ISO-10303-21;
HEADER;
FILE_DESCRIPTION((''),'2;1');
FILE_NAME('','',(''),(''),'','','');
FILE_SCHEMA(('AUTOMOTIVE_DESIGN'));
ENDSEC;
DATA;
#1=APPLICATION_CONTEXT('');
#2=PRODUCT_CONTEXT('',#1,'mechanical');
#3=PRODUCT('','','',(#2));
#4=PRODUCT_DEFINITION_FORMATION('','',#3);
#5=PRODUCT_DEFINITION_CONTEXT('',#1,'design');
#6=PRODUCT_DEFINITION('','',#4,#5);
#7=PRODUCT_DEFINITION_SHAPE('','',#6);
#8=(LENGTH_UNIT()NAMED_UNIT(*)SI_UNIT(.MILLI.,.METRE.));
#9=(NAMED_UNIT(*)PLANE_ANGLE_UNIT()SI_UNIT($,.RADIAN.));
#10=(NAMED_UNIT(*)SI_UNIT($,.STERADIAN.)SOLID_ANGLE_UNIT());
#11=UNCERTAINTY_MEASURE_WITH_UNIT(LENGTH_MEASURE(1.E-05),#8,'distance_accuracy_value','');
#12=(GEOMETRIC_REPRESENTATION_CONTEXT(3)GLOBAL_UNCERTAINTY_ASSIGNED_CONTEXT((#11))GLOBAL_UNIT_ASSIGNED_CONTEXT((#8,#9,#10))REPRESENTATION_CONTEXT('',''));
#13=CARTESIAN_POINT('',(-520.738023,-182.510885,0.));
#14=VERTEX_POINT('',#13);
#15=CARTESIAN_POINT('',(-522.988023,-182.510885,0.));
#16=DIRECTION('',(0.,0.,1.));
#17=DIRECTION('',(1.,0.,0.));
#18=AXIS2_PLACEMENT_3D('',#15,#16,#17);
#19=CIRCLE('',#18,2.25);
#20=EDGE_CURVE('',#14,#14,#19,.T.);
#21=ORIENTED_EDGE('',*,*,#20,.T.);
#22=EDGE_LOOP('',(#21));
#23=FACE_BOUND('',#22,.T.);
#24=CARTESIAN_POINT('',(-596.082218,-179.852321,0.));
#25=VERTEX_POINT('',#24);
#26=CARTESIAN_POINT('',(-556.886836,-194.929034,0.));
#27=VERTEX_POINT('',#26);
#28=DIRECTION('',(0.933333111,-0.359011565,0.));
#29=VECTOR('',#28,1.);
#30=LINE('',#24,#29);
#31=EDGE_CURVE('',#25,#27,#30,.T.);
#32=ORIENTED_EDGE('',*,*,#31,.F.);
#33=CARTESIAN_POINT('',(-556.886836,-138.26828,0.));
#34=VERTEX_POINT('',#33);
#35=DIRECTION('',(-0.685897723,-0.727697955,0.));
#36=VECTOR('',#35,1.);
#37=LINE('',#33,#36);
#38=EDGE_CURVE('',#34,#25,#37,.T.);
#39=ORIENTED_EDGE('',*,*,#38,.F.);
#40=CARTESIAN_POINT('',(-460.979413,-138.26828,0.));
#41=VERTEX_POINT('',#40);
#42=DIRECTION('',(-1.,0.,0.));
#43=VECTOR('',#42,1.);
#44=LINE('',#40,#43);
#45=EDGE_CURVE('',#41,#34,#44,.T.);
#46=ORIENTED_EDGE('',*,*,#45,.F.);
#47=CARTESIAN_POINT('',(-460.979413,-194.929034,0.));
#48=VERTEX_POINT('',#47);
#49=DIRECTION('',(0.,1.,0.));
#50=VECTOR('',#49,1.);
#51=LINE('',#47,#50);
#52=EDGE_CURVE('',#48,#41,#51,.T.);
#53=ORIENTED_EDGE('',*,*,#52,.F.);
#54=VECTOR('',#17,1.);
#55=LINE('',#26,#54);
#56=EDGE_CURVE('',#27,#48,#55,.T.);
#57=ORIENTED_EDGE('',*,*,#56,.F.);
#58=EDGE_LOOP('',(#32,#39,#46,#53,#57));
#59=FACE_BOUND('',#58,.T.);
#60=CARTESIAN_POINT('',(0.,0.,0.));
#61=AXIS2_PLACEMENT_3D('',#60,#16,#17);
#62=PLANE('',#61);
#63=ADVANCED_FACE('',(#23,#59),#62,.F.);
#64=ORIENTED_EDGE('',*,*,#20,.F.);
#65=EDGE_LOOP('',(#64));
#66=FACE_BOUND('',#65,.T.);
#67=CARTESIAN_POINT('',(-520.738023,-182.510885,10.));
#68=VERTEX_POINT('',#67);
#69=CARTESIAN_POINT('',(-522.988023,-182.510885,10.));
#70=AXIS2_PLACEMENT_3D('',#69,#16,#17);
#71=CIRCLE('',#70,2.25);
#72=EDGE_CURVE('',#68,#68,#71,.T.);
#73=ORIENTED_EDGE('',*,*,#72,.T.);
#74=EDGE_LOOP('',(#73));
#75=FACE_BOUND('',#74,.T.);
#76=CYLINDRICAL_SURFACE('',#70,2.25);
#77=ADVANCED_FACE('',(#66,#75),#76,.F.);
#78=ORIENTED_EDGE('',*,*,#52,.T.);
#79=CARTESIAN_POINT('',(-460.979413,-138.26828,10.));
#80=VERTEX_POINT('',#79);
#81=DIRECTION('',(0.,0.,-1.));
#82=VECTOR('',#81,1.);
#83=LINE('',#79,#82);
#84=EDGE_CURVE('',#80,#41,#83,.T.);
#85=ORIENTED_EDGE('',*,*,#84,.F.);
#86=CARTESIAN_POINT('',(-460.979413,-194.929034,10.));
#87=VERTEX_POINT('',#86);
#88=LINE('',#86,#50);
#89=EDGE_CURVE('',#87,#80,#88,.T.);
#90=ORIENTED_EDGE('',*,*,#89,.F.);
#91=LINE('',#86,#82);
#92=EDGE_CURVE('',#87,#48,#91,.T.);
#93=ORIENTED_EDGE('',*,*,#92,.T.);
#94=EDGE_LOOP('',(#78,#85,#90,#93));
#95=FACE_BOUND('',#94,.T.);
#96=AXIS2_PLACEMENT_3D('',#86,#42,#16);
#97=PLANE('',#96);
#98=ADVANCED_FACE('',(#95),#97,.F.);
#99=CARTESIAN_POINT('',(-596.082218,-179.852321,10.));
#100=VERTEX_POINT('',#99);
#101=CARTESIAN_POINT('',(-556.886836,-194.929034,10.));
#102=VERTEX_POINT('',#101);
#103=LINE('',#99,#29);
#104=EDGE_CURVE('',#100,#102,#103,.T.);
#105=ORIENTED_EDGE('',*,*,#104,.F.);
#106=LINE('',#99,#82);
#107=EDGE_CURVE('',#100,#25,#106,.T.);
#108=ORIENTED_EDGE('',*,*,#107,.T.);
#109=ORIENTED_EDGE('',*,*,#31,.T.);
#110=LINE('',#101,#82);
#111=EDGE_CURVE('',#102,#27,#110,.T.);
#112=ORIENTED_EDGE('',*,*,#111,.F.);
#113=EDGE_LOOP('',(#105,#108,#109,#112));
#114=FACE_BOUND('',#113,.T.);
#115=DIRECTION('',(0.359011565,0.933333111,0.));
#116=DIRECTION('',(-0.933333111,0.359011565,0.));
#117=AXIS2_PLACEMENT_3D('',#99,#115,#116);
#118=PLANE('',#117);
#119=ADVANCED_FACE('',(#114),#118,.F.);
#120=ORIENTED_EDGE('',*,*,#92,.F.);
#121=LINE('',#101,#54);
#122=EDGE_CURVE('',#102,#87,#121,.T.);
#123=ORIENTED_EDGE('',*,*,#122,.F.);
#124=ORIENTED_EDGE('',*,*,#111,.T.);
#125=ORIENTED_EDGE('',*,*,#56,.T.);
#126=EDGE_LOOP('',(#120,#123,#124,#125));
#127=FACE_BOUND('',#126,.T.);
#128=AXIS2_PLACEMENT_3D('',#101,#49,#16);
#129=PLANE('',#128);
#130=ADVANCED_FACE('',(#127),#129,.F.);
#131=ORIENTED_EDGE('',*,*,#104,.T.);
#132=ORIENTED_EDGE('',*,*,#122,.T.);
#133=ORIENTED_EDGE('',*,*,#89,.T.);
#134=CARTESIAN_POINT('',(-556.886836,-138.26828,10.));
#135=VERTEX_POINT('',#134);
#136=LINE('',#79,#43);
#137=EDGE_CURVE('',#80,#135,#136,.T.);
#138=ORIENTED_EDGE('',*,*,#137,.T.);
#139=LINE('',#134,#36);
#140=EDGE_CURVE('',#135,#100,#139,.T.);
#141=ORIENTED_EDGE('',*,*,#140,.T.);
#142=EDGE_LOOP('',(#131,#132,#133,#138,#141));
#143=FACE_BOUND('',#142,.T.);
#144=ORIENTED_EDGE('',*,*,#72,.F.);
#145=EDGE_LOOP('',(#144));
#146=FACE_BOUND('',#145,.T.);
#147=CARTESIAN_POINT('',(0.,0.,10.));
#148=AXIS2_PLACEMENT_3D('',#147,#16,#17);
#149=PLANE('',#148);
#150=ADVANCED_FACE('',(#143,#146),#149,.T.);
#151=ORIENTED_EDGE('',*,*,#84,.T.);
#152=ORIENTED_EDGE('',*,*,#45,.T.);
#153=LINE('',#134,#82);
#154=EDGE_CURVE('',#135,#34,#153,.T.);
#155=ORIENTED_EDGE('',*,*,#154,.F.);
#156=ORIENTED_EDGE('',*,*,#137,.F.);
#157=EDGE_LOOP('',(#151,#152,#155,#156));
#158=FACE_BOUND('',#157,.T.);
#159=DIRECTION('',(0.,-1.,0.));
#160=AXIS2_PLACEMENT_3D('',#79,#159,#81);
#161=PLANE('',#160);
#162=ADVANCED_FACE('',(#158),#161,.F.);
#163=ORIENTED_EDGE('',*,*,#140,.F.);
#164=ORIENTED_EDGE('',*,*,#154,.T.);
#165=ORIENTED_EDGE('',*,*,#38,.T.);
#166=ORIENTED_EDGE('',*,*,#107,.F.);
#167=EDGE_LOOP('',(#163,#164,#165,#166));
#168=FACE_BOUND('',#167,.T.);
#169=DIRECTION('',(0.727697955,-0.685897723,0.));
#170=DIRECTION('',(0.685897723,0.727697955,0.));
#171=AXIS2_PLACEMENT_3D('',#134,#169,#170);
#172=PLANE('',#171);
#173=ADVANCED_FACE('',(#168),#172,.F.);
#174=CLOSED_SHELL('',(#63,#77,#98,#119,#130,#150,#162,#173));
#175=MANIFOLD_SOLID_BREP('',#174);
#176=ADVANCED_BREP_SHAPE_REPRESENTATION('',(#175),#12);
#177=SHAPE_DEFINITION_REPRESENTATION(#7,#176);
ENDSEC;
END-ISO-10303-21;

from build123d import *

# Parameters (mm, degrees)
BOSS_EXTRU_1_DEPTH = 10
D_GAGEMENT_M41_D   = 4.5


with BuildPart() as part:
    # ref externes (internes) → Boss.-Extru.1 (new body)
    with BuildSketch(Plane.XY):
        Polygon((-460.979412649, -138.268279633), (-556.886836405, -138.268279633), (-596.082218437, -179.852321051), (-556.886836405, -194.929034048), (-460.979412649, -194.929034048), align=None)
    extrude(amount=BOSS_EXTRU_1_DEPTH)

    # Dégagement M41 (through all)
    with Locations(Plane.XY.offset(10)):
        with Locations((-522.988022529, -182.510884742)):
            Hole(D_GAGEMENT_M41_D / 2)


solid = part.part
